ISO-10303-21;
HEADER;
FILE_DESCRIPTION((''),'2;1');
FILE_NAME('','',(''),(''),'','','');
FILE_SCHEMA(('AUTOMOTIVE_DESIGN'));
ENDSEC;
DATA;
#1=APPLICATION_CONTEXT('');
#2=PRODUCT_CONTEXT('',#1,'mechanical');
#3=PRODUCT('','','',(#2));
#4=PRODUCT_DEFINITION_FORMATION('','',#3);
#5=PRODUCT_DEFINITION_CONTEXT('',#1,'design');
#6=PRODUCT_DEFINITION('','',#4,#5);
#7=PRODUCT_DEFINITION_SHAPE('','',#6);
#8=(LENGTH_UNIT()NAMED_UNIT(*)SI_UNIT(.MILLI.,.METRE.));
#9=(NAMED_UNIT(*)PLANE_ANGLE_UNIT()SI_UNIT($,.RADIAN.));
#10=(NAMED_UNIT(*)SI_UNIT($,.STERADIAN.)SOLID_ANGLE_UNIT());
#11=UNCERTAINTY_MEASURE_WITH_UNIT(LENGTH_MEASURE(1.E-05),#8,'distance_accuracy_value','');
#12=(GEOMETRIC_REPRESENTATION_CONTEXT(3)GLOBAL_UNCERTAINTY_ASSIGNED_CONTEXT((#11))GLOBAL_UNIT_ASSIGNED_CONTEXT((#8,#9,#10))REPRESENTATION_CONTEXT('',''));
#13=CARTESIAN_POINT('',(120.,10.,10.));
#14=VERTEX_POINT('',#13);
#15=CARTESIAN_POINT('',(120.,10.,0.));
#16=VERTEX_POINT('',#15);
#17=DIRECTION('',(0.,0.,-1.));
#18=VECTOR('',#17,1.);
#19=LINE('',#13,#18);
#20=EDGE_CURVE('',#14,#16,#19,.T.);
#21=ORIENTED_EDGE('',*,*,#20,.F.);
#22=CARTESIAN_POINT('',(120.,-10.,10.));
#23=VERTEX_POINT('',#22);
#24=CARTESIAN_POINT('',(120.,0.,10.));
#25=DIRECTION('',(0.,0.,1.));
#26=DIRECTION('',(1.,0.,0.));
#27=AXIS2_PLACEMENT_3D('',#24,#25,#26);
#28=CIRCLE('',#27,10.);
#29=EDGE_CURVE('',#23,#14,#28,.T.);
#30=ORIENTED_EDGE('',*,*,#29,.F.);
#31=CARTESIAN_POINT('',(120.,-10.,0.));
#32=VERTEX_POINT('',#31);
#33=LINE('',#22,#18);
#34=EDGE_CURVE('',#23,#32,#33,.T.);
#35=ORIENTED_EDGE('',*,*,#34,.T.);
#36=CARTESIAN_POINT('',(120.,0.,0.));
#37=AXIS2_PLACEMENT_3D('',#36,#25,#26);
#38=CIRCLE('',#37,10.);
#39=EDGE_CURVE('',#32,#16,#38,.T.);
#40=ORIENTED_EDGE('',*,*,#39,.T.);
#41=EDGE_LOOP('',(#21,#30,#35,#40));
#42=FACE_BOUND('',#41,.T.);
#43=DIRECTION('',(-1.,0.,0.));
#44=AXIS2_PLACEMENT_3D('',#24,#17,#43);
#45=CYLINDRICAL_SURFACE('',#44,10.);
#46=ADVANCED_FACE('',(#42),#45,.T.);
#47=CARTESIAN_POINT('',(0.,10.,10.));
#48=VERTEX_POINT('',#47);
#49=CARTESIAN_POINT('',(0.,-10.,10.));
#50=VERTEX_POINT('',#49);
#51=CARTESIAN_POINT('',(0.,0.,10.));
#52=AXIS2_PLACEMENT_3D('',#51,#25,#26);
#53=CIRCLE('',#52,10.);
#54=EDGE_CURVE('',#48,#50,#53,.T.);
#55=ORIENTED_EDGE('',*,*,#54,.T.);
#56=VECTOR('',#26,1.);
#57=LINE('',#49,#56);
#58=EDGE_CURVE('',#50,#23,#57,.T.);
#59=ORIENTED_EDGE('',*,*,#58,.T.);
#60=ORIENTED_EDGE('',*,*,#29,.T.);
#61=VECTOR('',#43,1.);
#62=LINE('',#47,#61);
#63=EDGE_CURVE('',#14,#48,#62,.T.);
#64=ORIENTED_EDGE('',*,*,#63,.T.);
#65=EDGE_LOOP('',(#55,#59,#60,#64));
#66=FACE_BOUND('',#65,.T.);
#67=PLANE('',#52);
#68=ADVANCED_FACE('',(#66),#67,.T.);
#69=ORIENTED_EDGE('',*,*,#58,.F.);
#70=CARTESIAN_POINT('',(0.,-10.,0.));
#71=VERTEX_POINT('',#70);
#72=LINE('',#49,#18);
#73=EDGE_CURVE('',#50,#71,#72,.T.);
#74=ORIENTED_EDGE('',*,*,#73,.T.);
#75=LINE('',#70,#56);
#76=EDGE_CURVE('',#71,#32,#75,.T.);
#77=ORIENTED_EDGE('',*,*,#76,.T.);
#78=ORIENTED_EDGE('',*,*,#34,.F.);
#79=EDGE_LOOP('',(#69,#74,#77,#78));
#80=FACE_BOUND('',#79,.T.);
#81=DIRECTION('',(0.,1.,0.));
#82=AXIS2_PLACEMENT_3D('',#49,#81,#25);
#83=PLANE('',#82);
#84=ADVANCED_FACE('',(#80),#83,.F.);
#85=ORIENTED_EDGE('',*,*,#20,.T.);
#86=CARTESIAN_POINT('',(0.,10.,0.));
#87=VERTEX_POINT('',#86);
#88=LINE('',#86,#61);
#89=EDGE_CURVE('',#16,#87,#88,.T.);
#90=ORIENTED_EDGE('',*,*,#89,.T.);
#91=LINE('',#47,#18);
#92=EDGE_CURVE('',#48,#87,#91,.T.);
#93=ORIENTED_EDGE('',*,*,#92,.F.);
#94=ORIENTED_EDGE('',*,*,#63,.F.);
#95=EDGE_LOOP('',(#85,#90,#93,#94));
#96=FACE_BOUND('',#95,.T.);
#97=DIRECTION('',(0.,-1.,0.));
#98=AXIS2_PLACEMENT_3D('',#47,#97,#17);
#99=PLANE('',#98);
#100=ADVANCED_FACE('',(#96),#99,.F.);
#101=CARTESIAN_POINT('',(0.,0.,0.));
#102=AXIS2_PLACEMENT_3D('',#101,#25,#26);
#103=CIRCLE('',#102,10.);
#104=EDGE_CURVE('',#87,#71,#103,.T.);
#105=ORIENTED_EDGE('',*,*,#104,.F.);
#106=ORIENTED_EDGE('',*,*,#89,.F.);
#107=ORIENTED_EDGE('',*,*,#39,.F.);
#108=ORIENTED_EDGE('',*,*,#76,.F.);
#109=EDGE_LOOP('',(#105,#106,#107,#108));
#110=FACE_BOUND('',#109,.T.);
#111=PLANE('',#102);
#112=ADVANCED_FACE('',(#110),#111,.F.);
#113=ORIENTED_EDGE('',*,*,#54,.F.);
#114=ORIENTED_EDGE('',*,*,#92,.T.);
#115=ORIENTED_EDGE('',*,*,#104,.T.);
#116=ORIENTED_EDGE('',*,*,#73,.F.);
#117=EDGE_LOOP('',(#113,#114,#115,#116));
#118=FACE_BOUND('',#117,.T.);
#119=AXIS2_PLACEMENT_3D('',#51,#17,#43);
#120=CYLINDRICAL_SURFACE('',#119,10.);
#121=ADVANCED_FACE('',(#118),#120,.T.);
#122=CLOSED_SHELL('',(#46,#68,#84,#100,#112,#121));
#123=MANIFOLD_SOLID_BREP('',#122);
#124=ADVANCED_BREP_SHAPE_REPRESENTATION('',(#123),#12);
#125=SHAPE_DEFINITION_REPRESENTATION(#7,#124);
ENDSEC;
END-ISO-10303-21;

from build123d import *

# Parameters (mm, degrees)
EXTRUDE_1_DEPTH = 10


with BuildPart() as part:
    # 草图1 → 凸台-拉伸1 (new body)
    with BuildSketch(Plane.XY):
        with BuildLine():
            Line((0, 10), (120, 10))
            ThreePointArc((120, 10), (130, 0), (120, -10))
            Line((120, -10), (0, -10))
            ThreePointArc((0, -10), (-10, 0), (0, 10))
        make_face()
    extrude(amount=EXTRUDE_1_DEPTH)


solid = part.part
